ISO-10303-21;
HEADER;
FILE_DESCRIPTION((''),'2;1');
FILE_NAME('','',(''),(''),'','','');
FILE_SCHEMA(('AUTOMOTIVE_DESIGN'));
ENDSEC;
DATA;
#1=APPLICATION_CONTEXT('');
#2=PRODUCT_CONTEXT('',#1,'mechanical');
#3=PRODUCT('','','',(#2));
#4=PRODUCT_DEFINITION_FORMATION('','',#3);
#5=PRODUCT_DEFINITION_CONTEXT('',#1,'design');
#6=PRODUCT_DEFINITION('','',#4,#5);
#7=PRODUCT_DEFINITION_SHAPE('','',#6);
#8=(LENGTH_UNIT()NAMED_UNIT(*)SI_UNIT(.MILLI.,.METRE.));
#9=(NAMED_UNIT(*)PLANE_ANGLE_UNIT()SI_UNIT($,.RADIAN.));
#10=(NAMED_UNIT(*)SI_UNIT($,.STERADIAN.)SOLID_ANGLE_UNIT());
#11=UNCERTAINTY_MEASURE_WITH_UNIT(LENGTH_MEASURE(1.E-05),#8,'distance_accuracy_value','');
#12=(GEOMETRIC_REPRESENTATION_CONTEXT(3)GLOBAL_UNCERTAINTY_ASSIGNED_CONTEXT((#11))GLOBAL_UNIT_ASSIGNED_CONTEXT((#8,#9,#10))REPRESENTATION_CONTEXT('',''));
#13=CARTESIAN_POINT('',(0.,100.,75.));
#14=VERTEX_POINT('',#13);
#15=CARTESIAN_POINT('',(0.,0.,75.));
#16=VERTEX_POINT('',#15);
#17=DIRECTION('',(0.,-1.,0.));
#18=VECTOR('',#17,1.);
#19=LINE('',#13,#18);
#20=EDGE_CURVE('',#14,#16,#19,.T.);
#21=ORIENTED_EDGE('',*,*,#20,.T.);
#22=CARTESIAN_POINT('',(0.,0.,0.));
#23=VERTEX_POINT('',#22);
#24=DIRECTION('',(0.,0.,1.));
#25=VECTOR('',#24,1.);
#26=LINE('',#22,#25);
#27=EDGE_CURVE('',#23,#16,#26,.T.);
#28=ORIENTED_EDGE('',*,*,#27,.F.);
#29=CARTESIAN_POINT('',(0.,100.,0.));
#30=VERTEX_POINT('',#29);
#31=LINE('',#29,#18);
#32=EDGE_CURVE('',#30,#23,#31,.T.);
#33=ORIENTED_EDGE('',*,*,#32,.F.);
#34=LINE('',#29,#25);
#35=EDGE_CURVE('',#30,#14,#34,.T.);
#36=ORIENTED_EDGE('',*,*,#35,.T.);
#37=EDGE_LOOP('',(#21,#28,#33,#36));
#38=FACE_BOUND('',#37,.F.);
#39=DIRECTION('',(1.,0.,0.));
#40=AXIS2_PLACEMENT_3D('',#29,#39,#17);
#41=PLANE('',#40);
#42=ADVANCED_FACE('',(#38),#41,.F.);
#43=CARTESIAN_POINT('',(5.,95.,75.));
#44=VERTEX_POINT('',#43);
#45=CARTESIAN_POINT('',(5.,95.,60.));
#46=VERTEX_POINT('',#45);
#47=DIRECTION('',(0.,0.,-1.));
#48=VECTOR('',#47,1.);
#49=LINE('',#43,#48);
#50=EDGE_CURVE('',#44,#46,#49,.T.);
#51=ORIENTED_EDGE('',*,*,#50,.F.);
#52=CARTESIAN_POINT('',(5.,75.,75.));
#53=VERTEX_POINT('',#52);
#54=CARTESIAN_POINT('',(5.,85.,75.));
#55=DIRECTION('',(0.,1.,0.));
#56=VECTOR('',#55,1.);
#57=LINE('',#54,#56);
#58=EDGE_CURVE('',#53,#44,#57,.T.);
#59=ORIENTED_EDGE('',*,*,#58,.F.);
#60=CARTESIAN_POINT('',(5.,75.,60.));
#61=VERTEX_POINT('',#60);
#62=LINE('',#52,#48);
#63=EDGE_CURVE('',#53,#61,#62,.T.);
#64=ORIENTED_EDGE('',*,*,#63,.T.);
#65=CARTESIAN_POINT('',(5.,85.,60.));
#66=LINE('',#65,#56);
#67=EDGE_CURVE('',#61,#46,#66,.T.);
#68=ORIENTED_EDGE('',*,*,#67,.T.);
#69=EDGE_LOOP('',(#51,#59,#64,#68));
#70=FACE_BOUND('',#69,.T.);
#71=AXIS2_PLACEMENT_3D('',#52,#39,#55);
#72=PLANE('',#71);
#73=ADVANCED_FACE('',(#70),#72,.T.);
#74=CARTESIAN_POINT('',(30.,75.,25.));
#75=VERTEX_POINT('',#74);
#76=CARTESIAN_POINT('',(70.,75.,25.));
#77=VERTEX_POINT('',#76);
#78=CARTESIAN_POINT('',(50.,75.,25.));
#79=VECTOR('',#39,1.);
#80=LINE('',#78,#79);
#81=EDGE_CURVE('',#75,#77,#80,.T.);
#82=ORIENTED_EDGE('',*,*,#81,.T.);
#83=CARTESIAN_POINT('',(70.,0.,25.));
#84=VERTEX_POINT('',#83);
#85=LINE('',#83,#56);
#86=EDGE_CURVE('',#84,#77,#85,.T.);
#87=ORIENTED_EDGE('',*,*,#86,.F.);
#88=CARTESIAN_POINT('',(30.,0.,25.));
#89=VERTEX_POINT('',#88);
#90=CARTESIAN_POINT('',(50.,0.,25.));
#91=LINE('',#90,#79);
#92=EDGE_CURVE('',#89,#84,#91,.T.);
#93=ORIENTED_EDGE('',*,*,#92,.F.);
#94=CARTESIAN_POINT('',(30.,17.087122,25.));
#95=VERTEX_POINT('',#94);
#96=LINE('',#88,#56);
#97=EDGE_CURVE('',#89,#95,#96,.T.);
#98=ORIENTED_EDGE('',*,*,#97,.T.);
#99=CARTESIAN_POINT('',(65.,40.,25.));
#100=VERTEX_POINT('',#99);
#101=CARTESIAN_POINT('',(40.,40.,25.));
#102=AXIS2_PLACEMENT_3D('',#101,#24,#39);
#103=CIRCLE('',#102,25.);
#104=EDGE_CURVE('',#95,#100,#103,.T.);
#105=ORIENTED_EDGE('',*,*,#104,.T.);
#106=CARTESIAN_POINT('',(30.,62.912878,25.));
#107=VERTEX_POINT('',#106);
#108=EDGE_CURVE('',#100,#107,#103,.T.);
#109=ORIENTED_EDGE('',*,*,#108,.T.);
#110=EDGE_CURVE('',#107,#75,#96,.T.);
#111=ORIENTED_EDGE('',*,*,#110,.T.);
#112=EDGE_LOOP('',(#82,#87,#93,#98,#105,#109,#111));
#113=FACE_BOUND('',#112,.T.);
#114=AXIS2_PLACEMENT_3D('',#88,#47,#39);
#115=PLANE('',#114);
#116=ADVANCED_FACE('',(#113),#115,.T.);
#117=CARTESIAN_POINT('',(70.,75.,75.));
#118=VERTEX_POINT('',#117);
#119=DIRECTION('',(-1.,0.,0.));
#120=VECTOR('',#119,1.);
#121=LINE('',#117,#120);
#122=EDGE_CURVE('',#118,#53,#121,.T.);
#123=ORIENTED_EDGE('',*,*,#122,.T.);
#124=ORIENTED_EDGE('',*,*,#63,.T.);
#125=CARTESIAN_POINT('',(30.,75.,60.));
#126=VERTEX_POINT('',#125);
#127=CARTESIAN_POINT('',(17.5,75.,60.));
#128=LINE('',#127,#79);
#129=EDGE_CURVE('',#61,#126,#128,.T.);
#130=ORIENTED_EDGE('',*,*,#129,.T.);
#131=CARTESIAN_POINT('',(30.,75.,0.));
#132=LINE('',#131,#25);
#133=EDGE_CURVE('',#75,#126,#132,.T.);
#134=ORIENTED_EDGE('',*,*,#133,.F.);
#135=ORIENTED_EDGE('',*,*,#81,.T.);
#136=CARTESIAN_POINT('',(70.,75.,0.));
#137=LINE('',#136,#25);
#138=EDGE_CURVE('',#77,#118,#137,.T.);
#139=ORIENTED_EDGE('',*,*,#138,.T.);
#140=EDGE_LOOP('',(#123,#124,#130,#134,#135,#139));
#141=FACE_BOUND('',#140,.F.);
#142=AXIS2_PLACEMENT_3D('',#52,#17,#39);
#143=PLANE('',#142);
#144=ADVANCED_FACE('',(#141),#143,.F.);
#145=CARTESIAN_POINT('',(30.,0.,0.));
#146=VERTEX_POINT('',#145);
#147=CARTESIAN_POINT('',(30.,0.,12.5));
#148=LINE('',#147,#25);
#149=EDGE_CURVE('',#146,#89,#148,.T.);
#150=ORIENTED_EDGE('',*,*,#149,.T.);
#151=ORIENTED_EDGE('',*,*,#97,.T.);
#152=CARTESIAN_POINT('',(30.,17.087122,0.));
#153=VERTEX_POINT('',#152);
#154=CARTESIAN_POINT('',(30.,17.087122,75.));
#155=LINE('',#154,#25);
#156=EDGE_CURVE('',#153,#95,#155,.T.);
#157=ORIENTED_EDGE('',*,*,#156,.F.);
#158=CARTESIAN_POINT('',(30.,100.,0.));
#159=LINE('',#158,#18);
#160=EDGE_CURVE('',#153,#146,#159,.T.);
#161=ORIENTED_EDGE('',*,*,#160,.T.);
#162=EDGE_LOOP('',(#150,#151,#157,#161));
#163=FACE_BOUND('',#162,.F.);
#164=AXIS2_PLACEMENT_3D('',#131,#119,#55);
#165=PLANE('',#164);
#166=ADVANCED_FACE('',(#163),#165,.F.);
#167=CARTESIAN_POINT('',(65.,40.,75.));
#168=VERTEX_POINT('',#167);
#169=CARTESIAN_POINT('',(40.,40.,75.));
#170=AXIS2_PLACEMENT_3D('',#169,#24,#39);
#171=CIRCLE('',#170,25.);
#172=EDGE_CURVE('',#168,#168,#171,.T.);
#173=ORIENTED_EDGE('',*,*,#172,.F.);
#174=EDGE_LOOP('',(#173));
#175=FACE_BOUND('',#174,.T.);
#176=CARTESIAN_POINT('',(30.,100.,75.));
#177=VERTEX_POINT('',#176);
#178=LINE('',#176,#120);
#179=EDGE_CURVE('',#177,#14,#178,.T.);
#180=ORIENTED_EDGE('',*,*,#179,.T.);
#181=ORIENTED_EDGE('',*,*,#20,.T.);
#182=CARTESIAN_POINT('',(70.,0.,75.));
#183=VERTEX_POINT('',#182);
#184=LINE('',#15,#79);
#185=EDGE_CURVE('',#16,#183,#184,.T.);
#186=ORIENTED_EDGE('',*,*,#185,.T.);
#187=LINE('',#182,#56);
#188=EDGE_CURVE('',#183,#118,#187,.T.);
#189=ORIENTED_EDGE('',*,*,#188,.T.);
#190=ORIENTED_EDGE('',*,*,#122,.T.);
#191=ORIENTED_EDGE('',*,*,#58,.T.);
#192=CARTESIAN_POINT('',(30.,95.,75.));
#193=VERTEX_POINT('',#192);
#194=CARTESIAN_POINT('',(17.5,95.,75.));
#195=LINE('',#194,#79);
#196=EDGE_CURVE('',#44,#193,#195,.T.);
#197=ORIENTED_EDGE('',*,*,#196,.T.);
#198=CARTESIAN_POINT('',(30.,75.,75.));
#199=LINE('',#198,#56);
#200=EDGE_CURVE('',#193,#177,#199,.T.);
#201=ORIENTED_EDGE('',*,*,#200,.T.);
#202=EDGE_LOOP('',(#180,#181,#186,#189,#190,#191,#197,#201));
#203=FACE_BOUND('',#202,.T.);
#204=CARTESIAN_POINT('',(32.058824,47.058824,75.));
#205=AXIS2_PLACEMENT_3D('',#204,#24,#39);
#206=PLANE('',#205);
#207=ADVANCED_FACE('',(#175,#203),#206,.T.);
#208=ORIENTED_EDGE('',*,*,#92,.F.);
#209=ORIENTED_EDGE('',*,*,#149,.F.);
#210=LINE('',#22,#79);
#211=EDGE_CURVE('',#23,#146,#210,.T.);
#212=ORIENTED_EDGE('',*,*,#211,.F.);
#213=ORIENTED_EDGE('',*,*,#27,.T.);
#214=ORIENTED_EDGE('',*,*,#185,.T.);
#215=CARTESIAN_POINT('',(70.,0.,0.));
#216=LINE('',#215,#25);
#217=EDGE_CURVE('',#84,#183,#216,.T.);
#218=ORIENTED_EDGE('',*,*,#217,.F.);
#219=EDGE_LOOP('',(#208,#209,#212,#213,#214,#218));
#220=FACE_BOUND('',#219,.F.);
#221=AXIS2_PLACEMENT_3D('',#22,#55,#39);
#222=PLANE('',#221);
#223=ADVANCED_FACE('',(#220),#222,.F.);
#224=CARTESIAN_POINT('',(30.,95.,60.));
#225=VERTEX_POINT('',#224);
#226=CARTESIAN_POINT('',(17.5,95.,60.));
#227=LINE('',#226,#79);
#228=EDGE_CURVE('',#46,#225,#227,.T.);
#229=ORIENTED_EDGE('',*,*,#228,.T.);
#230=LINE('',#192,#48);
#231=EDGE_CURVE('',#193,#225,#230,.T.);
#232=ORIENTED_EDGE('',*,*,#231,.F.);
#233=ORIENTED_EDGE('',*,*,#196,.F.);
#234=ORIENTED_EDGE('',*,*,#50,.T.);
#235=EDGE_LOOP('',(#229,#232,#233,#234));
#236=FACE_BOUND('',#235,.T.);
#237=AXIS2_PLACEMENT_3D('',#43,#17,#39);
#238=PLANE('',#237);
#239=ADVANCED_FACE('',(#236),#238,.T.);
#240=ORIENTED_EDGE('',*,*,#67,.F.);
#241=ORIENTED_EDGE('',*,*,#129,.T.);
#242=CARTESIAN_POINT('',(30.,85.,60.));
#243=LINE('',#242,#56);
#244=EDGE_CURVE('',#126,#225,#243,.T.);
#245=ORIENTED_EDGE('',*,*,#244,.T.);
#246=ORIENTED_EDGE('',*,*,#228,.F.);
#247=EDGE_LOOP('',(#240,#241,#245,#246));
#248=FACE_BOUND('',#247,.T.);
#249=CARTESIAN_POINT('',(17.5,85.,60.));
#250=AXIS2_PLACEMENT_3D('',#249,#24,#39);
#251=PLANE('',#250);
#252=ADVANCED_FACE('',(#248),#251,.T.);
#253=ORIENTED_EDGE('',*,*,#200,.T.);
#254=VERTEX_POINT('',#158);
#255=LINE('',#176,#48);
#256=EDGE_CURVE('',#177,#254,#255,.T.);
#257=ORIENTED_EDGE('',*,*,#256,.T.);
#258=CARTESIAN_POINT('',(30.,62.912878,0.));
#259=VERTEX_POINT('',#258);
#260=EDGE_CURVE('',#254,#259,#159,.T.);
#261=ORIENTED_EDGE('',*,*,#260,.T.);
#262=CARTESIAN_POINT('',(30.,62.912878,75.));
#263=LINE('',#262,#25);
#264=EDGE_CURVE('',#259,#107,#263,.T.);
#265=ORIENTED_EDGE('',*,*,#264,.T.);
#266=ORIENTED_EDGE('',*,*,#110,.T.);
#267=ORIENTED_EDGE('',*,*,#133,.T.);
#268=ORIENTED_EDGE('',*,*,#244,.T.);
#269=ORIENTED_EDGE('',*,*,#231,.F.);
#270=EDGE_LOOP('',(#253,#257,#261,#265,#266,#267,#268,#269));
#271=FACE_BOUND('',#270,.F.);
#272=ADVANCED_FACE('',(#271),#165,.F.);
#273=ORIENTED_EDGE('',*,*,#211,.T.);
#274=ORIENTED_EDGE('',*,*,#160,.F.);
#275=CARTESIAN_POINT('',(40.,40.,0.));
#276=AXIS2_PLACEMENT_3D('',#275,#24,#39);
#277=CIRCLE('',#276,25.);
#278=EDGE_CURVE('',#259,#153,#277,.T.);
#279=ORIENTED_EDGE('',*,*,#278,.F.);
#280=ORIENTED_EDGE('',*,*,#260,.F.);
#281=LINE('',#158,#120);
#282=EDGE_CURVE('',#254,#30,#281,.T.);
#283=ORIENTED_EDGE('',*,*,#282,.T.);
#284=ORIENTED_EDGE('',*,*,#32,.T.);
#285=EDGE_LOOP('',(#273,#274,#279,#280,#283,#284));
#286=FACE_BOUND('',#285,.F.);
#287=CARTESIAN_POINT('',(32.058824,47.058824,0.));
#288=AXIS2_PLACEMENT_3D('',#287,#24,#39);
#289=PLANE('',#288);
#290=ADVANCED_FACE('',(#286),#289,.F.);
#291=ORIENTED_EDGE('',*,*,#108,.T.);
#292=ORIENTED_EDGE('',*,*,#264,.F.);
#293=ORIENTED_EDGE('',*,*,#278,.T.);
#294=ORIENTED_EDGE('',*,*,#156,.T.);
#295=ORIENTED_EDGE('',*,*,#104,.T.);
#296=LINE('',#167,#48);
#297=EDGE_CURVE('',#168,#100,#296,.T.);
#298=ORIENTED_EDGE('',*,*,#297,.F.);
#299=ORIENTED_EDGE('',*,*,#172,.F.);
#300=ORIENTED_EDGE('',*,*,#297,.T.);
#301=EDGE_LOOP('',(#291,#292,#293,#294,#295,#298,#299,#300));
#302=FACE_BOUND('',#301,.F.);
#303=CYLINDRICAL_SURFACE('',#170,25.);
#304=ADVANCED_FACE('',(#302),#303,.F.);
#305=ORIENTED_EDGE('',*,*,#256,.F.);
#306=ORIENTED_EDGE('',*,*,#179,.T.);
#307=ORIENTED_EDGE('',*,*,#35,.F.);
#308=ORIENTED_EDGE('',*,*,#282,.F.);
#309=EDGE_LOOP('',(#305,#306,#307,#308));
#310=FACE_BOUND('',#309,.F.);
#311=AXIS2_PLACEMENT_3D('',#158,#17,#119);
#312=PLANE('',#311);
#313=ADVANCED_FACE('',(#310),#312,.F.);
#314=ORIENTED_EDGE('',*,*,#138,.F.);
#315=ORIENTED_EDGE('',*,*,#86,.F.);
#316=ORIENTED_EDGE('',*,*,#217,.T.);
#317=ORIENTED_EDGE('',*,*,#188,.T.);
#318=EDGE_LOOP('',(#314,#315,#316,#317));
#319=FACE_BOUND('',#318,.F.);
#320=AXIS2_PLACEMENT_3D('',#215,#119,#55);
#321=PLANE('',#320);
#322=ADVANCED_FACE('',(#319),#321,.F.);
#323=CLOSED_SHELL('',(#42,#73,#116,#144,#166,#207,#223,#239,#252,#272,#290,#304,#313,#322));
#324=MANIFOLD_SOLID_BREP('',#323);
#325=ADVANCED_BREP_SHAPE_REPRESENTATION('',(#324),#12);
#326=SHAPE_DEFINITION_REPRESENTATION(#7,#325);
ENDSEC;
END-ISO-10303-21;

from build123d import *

# Parameters (mm, degrees)
F1_DEPTH = 75
F2_W     = 40
F2_H     = 25
F3_DEPTH = 100.001
F4_W     = 25
F4_H     = 20
F5_DEPTH = 15
F6_R     = 25
F7_DEPTH = 75.001


with BuildPart() as f1:
    # F0 (on Top) → F1 (new body)
    with BuildSketch(Plane.XY):
        Polygon((0, 100), (0, 0), (70, 0), (70, 75), (30, 75), (30, 100), align=None)
    extrude(amount=F1_DEPTH)

    # F2 (on face) → F3 (cut, through all)
    with BuildSketch(Plane.XZ):
        with Locations((50, 12.5)):
            Rectangle(F2_W, F2_H)
    extrude(amount=-F3_DEPTH, mode=Mode.SUBTRACT)

    # F4 (on face) → F5 (cut)
    with BuildSketch(Plane.XY.offset(75)):
        with Locations((17.5, 85)):
            Rectangle(F4_W, F4_H)
    extrude(amount=-F5_DEPTH, mode=Mode.SUBTRACT)

    # F6 (on face) → F7 (cut, through all)
    with BuildSketch(Plane.XY.offset(75)):
        with Locations((40, 40)):
            Circle(F6_R)
    extrude(amount=-F7_DEPTH, mode=Mode.SUBTRACT)


solid = f1.part
